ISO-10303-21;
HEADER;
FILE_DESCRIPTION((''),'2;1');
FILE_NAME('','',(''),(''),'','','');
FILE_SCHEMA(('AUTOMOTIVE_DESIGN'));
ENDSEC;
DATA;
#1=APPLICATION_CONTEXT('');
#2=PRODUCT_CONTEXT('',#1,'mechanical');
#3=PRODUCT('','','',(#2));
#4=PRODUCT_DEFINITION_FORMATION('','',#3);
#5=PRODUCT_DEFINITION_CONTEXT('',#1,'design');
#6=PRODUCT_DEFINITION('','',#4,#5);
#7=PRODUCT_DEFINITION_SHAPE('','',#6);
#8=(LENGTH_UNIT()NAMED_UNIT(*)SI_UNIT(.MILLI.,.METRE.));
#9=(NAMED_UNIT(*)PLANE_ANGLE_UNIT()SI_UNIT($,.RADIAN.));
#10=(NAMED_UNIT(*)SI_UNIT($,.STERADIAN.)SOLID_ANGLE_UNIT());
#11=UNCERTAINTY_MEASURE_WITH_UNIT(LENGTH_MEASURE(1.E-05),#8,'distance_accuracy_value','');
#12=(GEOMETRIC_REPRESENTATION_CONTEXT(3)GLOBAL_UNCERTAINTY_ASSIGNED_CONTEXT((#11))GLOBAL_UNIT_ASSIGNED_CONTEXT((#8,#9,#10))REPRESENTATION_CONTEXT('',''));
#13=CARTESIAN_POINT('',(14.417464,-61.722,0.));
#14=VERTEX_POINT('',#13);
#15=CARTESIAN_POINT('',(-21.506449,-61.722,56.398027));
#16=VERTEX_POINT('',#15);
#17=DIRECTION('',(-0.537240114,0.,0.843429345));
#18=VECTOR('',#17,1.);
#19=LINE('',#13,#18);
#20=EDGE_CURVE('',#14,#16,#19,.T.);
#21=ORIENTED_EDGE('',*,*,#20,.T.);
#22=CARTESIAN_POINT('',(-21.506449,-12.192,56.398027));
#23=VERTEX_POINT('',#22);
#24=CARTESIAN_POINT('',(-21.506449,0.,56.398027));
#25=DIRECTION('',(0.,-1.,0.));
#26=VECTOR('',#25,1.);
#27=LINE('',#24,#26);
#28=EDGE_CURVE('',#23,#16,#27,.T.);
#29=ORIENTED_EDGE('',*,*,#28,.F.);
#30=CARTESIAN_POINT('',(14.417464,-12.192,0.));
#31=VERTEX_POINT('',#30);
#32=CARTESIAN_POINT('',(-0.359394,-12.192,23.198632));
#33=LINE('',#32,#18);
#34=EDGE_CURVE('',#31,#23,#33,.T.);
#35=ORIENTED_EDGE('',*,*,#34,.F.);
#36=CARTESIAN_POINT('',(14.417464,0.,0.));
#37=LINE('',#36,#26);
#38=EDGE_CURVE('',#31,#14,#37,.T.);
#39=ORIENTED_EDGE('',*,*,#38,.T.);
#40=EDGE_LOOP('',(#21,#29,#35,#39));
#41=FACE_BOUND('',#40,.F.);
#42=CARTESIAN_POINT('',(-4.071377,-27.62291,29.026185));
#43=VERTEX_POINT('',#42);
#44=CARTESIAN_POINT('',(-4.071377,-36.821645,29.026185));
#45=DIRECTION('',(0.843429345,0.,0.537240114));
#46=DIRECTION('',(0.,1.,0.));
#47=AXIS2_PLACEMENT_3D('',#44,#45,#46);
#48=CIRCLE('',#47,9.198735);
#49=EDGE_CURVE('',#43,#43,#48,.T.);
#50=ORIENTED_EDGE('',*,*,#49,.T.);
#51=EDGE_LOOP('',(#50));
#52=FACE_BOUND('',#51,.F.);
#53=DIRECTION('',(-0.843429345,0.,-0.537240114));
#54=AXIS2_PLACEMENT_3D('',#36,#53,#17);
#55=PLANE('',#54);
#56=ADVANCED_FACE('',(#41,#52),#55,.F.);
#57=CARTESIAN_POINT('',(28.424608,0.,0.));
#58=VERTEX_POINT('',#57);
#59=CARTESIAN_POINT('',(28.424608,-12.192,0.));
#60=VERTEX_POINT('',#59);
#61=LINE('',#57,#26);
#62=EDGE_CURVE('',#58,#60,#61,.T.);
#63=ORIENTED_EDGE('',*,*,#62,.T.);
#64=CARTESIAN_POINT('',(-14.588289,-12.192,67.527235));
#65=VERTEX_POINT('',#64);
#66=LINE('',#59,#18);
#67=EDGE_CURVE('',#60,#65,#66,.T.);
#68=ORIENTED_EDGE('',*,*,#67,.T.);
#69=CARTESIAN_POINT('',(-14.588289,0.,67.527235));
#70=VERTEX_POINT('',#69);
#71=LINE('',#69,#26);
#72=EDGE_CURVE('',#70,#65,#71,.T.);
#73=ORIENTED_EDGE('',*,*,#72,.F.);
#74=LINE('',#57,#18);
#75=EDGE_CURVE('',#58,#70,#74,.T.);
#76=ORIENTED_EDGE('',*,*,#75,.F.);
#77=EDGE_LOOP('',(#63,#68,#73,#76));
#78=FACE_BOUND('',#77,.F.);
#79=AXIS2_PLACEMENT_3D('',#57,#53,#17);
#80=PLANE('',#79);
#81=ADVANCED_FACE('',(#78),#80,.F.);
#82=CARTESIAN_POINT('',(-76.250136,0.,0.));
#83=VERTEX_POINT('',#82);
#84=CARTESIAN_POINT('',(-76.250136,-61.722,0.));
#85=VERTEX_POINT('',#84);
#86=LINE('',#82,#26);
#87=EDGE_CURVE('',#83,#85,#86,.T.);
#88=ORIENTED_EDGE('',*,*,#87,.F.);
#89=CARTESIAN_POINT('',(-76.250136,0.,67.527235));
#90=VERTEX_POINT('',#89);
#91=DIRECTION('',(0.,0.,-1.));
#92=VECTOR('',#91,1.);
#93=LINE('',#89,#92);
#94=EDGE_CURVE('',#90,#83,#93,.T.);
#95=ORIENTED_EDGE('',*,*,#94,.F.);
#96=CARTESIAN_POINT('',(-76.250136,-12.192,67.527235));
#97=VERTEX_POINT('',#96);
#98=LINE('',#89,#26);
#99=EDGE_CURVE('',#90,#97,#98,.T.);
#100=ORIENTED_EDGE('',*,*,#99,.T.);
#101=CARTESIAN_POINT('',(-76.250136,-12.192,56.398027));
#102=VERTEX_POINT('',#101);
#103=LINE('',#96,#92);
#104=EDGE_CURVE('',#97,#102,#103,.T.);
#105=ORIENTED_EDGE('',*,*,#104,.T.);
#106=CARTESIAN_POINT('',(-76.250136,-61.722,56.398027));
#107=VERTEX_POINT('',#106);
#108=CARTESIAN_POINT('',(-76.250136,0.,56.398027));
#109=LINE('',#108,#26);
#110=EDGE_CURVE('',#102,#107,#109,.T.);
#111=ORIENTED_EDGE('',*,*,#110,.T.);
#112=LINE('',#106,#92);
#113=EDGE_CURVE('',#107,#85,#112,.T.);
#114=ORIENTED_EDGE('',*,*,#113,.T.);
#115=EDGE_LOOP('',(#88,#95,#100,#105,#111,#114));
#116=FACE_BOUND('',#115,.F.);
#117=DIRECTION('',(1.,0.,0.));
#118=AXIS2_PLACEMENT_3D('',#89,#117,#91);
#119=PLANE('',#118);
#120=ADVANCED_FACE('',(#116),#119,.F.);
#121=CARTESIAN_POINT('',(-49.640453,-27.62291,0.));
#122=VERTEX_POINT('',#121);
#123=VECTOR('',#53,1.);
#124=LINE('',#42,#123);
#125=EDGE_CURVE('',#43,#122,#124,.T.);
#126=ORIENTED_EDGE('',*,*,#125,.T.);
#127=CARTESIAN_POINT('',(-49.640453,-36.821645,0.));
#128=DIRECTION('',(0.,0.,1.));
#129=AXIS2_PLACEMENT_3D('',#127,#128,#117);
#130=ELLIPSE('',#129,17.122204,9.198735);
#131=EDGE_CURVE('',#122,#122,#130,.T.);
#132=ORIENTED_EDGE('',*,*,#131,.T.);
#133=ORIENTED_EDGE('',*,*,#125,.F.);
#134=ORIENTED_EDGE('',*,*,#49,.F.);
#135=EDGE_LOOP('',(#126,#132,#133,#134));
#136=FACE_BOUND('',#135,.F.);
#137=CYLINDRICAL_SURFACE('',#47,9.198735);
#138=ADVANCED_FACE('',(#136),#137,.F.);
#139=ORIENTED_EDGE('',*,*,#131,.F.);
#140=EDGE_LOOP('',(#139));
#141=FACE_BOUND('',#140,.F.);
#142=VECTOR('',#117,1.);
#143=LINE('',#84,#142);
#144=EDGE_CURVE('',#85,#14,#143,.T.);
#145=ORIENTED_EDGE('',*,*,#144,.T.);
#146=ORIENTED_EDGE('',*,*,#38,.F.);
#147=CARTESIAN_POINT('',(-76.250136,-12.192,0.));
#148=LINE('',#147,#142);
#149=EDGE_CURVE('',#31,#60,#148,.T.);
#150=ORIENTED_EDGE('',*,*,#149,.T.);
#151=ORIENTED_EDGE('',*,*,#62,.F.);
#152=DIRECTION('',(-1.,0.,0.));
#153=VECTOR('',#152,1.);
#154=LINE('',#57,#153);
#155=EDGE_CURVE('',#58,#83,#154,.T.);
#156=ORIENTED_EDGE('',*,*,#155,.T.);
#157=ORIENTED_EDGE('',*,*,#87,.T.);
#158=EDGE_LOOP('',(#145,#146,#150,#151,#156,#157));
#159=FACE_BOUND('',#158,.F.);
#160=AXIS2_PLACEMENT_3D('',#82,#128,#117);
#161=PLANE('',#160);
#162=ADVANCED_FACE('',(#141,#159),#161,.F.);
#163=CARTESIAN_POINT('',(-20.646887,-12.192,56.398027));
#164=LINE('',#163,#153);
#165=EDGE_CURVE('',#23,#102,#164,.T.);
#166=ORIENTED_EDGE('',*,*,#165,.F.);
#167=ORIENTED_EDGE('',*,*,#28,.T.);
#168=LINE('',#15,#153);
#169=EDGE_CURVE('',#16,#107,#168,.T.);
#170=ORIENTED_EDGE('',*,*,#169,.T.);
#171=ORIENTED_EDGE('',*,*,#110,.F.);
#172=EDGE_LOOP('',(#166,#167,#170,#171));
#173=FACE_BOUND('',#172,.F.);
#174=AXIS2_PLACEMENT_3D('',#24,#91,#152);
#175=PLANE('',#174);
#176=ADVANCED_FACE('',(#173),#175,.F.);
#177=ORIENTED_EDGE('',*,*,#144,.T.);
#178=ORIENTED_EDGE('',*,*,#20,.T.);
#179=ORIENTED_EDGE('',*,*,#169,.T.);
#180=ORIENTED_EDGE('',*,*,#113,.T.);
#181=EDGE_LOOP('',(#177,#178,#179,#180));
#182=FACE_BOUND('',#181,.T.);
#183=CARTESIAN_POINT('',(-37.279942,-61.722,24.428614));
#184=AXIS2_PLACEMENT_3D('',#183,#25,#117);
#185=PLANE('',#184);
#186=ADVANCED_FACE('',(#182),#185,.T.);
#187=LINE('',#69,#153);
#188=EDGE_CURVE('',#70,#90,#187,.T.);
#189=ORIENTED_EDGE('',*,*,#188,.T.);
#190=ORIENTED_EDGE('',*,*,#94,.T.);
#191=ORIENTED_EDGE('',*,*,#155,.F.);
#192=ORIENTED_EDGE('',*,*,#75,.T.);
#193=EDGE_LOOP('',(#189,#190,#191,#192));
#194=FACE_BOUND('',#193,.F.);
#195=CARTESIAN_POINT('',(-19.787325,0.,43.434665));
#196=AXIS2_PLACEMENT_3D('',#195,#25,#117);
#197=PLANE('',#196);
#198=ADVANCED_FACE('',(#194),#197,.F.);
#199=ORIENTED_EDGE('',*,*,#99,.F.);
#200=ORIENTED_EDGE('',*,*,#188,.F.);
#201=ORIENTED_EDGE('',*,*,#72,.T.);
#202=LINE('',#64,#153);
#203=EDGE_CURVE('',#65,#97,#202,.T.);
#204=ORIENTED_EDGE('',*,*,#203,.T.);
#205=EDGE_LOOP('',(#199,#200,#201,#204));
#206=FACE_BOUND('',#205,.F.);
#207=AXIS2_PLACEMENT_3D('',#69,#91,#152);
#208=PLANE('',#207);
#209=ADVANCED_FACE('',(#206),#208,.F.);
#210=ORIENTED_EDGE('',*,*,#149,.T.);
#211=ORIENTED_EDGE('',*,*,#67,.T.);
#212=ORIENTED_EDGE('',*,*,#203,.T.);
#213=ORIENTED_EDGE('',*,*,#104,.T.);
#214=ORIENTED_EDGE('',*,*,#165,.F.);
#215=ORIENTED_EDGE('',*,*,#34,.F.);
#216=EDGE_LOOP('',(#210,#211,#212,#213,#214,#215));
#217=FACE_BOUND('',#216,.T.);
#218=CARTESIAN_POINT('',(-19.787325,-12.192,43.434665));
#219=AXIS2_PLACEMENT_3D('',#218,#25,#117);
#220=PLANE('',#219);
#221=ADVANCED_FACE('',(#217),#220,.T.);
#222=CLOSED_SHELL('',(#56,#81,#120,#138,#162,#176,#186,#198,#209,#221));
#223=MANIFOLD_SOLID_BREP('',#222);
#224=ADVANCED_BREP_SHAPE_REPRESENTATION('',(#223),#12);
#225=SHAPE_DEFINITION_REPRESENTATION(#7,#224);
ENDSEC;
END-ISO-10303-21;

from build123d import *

# Parameters (mm, degrees)
F1_DEPTH = 61.722
F2_DEPTH = 12.192
F3_R     = 9.1987347471
F4_DEPTH = 76.4727140636


with BuildPart() as f1:
    # F0 (on Front) → F1 (new body)
    with BuildSketch(Plane.XZ):
        Polygon((-21.5064492077, 56.3980266452), (-76.2501358986, 56.3980266452), (-76.2501358986, 0), (-21.5064492077, 0), (-14.5882889628, 0), (14.417463594, 0), align=None)
    extrude(amount=F1_DEPTH)

    # F0 (on Front) → F2 (join)
    with BuildSketch(Plane.XZ):
        Polygon((-14.5882889628, 67.5272345543), (-76.2501358986, 67.5272345543), (-76.2501358986, 56.3980266452), (-21.5064492077, 56.3980266452), (14.417463594, 0), (28.4246075898, 0), align=None)
        Polygon((-21.5064492077, 56.3980266452), (-76.2501358986, 56.3980266452), (-76.2501358986, 0), (-21.5064492077, 0), (-14.5882889628, 0), (14.417463594, 0), align=None)
    extrude(amount=F2_DEPTH)

    # F3 (on face) → F4 (cut, through all)
    with BuildSketch(Plane(origin=(10.2561951973, 0, 6.5328998878), x_dir=(0, 1, 0), z_dir=(0.8434293451, 0, 0.5372401137))):
        with Locations((-36.8216447532, 26.6688428819)):
            Circle(F3_R)
    extrude(amount=-F4_DEPTH, mode=Mode.SUBTRACT)


solid = f1.part
